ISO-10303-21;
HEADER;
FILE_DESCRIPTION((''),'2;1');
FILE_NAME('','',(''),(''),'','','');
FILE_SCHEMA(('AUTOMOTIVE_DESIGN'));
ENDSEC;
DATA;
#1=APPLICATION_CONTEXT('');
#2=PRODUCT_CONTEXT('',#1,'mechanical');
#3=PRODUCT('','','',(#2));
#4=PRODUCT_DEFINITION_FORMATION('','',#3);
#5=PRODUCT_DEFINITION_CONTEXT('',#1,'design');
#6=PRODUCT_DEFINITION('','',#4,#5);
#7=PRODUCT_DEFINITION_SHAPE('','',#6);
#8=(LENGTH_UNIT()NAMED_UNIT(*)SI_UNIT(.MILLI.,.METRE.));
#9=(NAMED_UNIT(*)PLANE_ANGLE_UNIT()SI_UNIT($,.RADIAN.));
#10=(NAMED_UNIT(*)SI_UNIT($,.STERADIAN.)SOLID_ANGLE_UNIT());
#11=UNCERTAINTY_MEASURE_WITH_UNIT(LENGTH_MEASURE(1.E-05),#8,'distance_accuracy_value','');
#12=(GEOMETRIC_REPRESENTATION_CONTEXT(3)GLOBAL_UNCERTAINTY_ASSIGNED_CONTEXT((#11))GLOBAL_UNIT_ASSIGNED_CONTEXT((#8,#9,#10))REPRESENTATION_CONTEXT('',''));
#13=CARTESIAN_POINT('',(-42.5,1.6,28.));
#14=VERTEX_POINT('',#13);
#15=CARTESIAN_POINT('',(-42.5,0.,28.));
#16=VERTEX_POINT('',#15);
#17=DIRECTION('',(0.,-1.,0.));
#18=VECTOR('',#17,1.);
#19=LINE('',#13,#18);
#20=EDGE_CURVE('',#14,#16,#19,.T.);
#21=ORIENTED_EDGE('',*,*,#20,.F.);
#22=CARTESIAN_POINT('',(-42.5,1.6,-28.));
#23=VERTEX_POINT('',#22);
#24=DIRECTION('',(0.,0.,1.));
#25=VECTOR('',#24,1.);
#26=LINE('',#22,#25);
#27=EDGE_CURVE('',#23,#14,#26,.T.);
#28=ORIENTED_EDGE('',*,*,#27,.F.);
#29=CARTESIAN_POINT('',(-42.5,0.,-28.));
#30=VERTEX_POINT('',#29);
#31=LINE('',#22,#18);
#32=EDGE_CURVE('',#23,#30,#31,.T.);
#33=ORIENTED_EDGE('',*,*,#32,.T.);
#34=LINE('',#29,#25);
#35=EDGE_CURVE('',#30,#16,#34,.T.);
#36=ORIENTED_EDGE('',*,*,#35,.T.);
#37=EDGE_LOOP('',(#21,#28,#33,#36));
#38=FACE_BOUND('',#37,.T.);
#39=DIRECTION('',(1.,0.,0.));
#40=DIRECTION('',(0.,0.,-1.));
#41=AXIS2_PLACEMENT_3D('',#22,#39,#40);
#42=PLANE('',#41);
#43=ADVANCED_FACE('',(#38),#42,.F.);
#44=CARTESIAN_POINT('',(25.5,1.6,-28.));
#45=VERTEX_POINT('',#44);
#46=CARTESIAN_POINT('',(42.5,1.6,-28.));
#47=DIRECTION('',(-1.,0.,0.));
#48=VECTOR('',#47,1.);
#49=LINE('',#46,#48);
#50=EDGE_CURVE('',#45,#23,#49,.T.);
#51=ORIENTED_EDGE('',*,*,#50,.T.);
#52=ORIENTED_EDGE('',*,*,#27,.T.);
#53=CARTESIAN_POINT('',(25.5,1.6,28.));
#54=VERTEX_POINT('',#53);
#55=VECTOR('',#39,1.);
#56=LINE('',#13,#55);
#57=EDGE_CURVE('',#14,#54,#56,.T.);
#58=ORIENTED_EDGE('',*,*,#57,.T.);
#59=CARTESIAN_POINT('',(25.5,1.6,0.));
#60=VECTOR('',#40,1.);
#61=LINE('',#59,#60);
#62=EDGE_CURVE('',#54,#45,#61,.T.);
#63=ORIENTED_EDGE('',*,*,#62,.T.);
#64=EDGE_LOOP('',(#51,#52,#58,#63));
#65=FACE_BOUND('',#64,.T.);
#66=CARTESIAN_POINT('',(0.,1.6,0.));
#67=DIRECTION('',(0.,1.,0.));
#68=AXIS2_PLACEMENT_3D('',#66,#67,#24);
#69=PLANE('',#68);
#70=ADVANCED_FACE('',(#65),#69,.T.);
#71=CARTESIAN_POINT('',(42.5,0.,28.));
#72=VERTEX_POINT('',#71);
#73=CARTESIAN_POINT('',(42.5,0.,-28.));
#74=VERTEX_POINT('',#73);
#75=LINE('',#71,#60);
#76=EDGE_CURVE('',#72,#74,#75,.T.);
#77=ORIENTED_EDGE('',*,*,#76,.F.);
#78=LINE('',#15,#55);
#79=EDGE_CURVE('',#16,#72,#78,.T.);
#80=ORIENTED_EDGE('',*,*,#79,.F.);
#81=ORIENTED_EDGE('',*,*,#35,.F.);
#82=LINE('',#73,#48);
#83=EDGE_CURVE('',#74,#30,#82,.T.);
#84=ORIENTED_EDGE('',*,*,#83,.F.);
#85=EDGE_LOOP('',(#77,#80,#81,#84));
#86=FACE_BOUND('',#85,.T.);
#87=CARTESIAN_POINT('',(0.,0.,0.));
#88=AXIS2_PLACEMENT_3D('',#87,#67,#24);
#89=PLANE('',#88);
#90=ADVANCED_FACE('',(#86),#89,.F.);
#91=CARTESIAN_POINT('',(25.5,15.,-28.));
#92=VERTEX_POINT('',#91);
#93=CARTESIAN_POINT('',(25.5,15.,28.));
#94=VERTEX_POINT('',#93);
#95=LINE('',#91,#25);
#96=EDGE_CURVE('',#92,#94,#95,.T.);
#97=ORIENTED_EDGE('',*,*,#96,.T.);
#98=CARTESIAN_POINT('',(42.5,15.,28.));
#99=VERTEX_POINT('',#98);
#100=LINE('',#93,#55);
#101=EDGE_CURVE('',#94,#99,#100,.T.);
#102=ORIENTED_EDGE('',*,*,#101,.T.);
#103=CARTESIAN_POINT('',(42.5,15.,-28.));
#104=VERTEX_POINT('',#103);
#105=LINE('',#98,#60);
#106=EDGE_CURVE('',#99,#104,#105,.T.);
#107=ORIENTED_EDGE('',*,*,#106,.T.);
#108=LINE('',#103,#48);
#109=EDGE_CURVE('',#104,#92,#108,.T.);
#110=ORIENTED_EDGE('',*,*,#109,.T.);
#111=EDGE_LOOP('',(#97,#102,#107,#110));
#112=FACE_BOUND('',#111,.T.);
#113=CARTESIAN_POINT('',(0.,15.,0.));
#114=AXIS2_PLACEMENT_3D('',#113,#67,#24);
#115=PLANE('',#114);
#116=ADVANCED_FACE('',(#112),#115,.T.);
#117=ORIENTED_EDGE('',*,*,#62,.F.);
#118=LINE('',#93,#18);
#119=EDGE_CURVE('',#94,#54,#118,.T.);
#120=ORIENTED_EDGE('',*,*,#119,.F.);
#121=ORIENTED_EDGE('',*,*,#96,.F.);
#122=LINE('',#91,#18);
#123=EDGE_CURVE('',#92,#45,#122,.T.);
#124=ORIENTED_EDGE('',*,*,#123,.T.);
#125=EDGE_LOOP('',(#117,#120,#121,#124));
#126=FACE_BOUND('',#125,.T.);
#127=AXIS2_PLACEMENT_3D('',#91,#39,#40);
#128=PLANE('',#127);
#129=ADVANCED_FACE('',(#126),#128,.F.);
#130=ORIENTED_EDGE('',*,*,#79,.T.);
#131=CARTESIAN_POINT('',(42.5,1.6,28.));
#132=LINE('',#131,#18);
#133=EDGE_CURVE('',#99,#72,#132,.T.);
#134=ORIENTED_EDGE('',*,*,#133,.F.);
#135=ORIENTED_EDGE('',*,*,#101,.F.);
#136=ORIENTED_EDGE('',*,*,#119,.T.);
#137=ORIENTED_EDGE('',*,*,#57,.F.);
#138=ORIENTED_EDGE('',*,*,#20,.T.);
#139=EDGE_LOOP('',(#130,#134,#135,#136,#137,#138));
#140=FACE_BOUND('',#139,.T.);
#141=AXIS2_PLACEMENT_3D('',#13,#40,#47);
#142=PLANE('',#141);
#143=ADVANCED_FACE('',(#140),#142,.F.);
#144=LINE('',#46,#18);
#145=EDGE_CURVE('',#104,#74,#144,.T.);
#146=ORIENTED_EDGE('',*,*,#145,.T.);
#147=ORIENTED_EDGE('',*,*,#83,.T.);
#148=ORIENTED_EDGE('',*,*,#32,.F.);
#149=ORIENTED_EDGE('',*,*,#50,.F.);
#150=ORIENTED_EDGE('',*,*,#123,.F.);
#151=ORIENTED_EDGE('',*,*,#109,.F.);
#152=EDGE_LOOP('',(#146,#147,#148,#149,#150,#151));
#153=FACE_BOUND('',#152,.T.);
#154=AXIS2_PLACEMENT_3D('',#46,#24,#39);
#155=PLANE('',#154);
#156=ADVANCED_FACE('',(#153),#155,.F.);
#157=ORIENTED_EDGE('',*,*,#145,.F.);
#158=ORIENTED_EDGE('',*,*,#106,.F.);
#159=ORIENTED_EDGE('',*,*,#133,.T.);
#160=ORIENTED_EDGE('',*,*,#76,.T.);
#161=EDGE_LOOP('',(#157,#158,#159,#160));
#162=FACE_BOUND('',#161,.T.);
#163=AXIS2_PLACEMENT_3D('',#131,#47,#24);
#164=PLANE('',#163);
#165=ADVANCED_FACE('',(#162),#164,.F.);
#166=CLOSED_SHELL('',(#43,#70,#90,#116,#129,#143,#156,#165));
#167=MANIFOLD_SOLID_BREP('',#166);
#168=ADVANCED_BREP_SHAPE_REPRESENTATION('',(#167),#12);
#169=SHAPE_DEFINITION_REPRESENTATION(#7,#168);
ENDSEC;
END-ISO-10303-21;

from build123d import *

# Parameters (mm, degrees)
SKETCH1_W           = 85
SKETCH1_H           = 56
BOSS_EXTRUDE1_DEPTH = 1.6
SKETCH2_W           = 17
SKETCH2_H           = 56
BOSS_EXTRUDE2_DEPTH = 15


with BuildPart() as part:
    # Sketch1 → Boss-Extrude1 (new body)
    with BuildSketch(Plane(origin=(0, 0, 0), x_dir=(1, 0, 0), z_dir=(0, 1, 0))):
        Rectangle(SKETCH1_W, SKETCH1_H)
    extrude(amount=BOSS_EXTRUDE1_DEPTH)

    # Sketch2 → Boss-Extrude2 (add)
    with BuildSketch(Plane(origin=(0, 0, 0), x_dir=(1, 0, 0), z_dir=(0, 1, 0))):
        with Locations((34, 0)):
            Rectangle(SKETCH2_W, SKETCH2_H)
    extrude(amount=BOSS_EXTRUDE2_DEPTH)


solid = part.part
